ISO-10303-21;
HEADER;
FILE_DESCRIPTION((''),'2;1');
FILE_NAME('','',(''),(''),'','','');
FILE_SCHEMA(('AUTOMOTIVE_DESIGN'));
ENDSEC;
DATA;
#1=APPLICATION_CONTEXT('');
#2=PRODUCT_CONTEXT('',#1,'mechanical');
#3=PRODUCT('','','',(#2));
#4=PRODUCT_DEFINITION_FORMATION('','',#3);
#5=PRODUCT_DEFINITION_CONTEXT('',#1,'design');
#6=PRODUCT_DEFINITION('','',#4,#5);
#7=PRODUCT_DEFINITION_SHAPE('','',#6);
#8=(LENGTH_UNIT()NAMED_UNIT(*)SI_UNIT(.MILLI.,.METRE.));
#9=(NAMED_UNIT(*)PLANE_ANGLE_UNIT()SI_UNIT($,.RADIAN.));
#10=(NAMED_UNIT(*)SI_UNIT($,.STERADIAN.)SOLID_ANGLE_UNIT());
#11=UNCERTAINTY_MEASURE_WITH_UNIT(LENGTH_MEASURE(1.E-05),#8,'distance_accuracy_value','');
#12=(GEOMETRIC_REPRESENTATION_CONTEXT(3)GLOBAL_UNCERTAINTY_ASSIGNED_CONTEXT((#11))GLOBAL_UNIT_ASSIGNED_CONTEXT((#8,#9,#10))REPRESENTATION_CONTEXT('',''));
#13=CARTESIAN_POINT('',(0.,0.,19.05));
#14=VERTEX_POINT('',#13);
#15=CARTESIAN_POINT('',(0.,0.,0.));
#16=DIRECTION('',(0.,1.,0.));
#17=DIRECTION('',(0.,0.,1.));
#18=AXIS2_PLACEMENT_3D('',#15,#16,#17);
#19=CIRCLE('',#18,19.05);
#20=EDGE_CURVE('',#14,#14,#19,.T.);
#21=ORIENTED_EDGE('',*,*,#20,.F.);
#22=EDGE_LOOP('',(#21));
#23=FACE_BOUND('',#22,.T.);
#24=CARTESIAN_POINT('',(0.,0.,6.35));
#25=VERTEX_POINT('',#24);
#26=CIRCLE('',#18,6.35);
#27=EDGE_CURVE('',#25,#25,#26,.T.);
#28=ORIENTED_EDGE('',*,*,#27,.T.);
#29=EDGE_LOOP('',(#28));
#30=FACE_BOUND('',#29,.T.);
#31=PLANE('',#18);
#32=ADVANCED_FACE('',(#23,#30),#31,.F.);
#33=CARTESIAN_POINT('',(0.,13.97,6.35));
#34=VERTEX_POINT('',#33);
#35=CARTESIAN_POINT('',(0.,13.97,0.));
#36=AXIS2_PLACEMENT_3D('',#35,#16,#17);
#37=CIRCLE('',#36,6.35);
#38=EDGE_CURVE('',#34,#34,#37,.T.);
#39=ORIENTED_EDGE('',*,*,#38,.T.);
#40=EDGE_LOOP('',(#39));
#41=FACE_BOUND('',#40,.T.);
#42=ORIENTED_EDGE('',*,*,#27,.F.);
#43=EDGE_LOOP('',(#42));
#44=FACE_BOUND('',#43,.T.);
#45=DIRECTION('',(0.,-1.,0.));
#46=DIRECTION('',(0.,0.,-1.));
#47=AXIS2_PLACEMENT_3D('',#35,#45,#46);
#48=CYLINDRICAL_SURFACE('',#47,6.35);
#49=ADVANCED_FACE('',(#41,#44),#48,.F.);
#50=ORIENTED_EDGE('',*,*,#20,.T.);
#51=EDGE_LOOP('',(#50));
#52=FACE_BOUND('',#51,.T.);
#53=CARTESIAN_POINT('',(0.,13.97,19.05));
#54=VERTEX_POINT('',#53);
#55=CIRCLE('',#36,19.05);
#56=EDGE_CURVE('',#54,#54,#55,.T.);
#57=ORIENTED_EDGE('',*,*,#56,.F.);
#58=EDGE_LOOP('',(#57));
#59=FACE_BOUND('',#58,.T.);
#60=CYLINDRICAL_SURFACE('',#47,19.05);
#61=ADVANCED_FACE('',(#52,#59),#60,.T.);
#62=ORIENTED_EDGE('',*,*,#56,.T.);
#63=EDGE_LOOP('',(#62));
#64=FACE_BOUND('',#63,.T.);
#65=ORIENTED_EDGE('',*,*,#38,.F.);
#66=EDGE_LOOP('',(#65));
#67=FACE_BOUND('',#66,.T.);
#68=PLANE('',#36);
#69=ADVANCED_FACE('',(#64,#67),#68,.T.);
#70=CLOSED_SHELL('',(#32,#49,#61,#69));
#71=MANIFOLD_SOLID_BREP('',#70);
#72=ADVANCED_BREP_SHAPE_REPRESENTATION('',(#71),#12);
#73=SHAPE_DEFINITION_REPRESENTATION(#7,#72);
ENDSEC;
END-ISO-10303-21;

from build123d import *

# Parameters (mm, degrees)
SKETCH1_R           = 19.05
SKETCH1_R_2         = 6.35
BOSS_EXTRUDE1_DEPTH = 13.97


with BuildPart() as part:
    # Sketch1 → Boss-Extrude1 (new body)
    with BuildSketch(Plane(origin=(0, 0, 0), x_dir=(1, 0, 0), z_dir=(0, 1, 0))):
        with Locations(Location((0, 0, 0), (0, 0, 270))):
            Circle(SKETCH1_R)
        with Locations(Location((0, 0, 0), (0, 0, 270))):
            Circle(SKETCH1_R_2, mode=Mode.SUBTRACT)
    extrude(amount=BOSS_EXTRUDE1_DEPTH)


solid = part.part
